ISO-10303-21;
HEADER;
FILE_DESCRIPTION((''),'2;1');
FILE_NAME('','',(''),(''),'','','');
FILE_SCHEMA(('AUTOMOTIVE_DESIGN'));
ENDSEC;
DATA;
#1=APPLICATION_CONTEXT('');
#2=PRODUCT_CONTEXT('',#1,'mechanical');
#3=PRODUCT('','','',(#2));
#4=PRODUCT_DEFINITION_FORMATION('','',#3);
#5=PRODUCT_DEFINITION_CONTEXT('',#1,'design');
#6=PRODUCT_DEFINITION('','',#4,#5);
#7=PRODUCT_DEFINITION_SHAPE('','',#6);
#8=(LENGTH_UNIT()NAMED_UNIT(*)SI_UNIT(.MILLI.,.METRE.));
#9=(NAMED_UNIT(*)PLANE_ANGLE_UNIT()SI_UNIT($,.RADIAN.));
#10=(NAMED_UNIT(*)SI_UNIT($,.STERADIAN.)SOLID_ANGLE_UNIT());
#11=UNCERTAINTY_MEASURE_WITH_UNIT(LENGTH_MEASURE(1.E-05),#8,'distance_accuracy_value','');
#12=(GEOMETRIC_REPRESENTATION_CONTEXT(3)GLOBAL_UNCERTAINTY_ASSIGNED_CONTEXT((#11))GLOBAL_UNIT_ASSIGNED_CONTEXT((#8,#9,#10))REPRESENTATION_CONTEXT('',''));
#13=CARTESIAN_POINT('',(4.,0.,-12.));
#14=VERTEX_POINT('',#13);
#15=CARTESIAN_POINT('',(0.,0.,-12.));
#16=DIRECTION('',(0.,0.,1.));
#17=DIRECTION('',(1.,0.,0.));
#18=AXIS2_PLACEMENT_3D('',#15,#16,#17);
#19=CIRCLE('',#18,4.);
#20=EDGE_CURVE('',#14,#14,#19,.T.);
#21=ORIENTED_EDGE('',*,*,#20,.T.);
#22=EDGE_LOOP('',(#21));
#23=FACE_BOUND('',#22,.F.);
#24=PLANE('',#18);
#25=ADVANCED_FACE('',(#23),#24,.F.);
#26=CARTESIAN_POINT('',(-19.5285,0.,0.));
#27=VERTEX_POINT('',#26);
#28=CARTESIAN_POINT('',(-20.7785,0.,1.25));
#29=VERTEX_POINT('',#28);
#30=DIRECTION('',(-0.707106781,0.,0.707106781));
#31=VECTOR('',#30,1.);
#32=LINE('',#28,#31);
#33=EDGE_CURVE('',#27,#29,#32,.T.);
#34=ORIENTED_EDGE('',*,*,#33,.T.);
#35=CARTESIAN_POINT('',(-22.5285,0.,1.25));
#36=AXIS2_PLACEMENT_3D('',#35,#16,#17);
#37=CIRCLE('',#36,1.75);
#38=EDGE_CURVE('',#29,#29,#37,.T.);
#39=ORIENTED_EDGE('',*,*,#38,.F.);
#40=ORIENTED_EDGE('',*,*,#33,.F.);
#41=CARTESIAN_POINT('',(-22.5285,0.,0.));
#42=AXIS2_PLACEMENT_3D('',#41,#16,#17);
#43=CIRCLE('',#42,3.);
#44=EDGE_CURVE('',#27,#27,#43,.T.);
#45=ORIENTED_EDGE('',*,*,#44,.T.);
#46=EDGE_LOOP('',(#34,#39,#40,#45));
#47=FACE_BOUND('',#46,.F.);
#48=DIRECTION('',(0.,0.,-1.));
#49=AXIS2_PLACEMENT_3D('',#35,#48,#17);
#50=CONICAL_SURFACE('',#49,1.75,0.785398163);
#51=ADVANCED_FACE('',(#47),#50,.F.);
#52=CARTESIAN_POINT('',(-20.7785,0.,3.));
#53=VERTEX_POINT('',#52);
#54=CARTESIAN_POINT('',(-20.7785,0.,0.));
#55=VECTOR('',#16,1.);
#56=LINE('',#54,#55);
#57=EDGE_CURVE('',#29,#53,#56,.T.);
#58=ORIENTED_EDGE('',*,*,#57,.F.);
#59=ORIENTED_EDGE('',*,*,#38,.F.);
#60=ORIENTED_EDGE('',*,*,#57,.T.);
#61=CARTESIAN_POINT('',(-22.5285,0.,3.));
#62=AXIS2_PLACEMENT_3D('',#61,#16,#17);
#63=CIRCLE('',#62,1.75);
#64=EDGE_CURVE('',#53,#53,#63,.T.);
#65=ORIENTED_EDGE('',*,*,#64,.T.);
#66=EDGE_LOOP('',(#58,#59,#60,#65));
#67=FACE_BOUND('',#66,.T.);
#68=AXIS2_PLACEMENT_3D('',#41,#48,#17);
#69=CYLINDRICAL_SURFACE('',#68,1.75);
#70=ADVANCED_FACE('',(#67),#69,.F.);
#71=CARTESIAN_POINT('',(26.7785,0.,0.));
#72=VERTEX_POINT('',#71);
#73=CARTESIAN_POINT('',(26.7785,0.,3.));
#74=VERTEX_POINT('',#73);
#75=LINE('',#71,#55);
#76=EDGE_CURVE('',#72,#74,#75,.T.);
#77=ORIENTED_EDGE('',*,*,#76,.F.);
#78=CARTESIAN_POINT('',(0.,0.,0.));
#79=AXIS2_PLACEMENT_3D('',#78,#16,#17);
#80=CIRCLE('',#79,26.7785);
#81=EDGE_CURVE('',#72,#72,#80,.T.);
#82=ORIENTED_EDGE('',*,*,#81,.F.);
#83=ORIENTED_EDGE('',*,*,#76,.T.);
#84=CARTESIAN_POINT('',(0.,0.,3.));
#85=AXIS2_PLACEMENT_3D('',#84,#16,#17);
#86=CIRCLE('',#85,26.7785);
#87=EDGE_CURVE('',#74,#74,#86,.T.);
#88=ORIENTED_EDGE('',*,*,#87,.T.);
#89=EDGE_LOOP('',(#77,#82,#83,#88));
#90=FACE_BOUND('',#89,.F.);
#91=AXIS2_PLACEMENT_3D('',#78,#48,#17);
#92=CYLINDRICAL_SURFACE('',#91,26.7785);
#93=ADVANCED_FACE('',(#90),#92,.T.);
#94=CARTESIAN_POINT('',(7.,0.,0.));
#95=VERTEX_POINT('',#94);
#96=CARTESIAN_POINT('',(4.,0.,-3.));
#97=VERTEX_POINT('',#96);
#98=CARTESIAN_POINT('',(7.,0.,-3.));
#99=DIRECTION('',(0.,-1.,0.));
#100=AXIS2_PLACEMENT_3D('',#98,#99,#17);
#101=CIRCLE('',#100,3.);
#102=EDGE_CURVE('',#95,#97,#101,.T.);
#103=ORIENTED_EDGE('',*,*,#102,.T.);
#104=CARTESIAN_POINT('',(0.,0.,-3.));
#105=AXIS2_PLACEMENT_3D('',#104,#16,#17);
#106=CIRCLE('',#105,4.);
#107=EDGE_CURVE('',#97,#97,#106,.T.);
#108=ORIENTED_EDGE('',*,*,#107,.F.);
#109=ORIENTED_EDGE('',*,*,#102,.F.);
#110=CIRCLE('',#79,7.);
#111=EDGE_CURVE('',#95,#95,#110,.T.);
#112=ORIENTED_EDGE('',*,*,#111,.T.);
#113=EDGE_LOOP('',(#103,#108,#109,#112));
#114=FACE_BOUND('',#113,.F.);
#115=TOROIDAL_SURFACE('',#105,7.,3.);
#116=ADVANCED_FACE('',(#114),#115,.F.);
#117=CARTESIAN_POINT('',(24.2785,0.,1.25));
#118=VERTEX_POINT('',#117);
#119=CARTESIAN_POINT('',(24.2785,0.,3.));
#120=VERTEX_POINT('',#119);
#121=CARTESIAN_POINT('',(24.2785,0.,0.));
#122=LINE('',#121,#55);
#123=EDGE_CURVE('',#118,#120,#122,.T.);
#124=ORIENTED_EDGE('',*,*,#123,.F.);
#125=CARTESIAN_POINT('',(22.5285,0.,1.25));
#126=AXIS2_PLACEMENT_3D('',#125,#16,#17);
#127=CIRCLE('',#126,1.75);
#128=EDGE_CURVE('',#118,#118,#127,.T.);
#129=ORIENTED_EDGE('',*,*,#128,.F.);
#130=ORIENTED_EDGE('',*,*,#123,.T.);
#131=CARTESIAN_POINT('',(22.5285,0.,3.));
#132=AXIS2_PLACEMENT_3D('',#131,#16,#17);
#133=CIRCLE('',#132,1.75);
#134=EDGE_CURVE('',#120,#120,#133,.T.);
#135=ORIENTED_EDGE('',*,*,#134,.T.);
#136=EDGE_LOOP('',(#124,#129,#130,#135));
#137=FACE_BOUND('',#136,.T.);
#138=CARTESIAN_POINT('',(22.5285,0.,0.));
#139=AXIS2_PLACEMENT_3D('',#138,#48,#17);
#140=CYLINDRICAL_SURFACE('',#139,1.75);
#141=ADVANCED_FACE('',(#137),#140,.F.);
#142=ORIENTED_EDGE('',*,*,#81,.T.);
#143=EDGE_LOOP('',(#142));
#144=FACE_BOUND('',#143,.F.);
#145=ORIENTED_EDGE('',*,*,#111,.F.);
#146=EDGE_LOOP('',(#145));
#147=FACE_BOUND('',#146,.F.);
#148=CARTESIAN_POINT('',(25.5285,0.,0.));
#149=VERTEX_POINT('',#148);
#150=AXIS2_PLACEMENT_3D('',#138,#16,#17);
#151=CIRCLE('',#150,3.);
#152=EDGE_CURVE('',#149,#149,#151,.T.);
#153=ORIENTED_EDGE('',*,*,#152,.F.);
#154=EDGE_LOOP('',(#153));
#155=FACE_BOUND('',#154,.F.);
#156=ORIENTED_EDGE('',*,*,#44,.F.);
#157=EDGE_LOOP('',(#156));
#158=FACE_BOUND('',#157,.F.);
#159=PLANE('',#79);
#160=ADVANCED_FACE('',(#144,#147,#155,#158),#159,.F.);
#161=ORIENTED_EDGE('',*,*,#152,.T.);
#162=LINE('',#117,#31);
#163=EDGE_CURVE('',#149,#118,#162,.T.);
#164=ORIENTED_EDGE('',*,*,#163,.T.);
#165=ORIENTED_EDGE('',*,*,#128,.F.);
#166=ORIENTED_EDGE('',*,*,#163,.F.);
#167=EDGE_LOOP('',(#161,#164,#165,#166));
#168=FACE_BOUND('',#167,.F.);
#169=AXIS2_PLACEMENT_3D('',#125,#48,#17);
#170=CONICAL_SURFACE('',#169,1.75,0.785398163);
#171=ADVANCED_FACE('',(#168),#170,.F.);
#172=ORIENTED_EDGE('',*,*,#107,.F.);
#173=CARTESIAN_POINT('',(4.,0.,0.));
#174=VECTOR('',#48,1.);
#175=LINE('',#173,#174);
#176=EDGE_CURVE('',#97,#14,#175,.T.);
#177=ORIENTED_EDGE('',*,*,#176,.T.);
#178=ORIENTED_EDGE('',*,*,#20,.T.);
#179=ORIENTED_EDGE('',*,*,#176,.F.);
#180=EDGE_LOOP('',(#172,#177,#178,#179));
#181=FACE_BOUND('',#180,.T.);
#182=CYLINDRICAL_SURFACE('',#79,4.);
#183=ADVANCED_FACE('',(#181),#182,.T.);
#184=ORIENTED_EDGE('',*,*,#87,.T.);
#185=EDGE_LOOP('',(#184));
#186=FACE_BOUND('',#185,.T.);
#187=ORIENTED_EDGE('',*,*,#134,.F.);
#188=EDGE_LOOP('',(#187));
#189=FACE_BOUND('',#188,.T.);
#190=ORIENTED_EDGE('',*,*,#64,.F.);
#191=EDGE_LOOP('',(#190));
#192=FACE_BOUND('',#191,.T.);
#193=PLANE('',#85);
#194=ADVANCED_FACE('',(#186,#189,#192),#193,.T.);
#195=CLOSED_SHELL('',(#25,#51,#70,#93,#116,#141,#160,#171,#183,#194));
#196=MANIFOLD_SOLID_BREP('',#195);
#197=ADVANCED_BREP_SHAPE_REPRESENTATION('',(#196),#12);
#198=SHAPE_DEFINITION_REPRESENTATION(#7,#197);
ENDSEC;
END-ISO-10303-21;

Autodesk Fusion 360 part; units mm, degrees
sketch "Sketch1" plane through (0, 0, 0) normal (0, 0, 1) x (1, 0, 0)
  circle A0 centre (0, 0) radius 26.7785
  line L0 (0, 0) -> (-26.7785, 0) construction
  line L1 (0, 0) -> (26.7785, 0) construction
  circle A1 centre (-22.5285, 0) radius 3
  circle A2 centre (-22.5285, 0) radius 1.75
  circle A3 centre (22.5285, 0) radius 3
  circle A4 centre (22.5285, 0) radius 1.75
  circle A5 centre (0, 0) radius 4
  dimension "d1" = 53.557
  dimension "d2" = 6
  dimension "d3" = 3.5
  dimension "d4" = 4.25
  dimension "d5" = 6
  dimension "d6" = 3.5
  dimension "d8" = 4.25
  dimension "d12" = 8
extrude "Extrude1" add sketch "Sketch1" along normal blind 3 contours A0 | A1 | A3 | A5
chamfer "Chamfer1" distance 1.25 angle 45 2 edges at (20.8969, 0.6328, 0) (-24.1601, 0.6328, 0)
extrude "Extrude2" add sketch "Sketch1" against normal blind 12 contours A5
fillet "Fillet1" radius 3 1 edges at (-3.7293, -1.4465, 0)
